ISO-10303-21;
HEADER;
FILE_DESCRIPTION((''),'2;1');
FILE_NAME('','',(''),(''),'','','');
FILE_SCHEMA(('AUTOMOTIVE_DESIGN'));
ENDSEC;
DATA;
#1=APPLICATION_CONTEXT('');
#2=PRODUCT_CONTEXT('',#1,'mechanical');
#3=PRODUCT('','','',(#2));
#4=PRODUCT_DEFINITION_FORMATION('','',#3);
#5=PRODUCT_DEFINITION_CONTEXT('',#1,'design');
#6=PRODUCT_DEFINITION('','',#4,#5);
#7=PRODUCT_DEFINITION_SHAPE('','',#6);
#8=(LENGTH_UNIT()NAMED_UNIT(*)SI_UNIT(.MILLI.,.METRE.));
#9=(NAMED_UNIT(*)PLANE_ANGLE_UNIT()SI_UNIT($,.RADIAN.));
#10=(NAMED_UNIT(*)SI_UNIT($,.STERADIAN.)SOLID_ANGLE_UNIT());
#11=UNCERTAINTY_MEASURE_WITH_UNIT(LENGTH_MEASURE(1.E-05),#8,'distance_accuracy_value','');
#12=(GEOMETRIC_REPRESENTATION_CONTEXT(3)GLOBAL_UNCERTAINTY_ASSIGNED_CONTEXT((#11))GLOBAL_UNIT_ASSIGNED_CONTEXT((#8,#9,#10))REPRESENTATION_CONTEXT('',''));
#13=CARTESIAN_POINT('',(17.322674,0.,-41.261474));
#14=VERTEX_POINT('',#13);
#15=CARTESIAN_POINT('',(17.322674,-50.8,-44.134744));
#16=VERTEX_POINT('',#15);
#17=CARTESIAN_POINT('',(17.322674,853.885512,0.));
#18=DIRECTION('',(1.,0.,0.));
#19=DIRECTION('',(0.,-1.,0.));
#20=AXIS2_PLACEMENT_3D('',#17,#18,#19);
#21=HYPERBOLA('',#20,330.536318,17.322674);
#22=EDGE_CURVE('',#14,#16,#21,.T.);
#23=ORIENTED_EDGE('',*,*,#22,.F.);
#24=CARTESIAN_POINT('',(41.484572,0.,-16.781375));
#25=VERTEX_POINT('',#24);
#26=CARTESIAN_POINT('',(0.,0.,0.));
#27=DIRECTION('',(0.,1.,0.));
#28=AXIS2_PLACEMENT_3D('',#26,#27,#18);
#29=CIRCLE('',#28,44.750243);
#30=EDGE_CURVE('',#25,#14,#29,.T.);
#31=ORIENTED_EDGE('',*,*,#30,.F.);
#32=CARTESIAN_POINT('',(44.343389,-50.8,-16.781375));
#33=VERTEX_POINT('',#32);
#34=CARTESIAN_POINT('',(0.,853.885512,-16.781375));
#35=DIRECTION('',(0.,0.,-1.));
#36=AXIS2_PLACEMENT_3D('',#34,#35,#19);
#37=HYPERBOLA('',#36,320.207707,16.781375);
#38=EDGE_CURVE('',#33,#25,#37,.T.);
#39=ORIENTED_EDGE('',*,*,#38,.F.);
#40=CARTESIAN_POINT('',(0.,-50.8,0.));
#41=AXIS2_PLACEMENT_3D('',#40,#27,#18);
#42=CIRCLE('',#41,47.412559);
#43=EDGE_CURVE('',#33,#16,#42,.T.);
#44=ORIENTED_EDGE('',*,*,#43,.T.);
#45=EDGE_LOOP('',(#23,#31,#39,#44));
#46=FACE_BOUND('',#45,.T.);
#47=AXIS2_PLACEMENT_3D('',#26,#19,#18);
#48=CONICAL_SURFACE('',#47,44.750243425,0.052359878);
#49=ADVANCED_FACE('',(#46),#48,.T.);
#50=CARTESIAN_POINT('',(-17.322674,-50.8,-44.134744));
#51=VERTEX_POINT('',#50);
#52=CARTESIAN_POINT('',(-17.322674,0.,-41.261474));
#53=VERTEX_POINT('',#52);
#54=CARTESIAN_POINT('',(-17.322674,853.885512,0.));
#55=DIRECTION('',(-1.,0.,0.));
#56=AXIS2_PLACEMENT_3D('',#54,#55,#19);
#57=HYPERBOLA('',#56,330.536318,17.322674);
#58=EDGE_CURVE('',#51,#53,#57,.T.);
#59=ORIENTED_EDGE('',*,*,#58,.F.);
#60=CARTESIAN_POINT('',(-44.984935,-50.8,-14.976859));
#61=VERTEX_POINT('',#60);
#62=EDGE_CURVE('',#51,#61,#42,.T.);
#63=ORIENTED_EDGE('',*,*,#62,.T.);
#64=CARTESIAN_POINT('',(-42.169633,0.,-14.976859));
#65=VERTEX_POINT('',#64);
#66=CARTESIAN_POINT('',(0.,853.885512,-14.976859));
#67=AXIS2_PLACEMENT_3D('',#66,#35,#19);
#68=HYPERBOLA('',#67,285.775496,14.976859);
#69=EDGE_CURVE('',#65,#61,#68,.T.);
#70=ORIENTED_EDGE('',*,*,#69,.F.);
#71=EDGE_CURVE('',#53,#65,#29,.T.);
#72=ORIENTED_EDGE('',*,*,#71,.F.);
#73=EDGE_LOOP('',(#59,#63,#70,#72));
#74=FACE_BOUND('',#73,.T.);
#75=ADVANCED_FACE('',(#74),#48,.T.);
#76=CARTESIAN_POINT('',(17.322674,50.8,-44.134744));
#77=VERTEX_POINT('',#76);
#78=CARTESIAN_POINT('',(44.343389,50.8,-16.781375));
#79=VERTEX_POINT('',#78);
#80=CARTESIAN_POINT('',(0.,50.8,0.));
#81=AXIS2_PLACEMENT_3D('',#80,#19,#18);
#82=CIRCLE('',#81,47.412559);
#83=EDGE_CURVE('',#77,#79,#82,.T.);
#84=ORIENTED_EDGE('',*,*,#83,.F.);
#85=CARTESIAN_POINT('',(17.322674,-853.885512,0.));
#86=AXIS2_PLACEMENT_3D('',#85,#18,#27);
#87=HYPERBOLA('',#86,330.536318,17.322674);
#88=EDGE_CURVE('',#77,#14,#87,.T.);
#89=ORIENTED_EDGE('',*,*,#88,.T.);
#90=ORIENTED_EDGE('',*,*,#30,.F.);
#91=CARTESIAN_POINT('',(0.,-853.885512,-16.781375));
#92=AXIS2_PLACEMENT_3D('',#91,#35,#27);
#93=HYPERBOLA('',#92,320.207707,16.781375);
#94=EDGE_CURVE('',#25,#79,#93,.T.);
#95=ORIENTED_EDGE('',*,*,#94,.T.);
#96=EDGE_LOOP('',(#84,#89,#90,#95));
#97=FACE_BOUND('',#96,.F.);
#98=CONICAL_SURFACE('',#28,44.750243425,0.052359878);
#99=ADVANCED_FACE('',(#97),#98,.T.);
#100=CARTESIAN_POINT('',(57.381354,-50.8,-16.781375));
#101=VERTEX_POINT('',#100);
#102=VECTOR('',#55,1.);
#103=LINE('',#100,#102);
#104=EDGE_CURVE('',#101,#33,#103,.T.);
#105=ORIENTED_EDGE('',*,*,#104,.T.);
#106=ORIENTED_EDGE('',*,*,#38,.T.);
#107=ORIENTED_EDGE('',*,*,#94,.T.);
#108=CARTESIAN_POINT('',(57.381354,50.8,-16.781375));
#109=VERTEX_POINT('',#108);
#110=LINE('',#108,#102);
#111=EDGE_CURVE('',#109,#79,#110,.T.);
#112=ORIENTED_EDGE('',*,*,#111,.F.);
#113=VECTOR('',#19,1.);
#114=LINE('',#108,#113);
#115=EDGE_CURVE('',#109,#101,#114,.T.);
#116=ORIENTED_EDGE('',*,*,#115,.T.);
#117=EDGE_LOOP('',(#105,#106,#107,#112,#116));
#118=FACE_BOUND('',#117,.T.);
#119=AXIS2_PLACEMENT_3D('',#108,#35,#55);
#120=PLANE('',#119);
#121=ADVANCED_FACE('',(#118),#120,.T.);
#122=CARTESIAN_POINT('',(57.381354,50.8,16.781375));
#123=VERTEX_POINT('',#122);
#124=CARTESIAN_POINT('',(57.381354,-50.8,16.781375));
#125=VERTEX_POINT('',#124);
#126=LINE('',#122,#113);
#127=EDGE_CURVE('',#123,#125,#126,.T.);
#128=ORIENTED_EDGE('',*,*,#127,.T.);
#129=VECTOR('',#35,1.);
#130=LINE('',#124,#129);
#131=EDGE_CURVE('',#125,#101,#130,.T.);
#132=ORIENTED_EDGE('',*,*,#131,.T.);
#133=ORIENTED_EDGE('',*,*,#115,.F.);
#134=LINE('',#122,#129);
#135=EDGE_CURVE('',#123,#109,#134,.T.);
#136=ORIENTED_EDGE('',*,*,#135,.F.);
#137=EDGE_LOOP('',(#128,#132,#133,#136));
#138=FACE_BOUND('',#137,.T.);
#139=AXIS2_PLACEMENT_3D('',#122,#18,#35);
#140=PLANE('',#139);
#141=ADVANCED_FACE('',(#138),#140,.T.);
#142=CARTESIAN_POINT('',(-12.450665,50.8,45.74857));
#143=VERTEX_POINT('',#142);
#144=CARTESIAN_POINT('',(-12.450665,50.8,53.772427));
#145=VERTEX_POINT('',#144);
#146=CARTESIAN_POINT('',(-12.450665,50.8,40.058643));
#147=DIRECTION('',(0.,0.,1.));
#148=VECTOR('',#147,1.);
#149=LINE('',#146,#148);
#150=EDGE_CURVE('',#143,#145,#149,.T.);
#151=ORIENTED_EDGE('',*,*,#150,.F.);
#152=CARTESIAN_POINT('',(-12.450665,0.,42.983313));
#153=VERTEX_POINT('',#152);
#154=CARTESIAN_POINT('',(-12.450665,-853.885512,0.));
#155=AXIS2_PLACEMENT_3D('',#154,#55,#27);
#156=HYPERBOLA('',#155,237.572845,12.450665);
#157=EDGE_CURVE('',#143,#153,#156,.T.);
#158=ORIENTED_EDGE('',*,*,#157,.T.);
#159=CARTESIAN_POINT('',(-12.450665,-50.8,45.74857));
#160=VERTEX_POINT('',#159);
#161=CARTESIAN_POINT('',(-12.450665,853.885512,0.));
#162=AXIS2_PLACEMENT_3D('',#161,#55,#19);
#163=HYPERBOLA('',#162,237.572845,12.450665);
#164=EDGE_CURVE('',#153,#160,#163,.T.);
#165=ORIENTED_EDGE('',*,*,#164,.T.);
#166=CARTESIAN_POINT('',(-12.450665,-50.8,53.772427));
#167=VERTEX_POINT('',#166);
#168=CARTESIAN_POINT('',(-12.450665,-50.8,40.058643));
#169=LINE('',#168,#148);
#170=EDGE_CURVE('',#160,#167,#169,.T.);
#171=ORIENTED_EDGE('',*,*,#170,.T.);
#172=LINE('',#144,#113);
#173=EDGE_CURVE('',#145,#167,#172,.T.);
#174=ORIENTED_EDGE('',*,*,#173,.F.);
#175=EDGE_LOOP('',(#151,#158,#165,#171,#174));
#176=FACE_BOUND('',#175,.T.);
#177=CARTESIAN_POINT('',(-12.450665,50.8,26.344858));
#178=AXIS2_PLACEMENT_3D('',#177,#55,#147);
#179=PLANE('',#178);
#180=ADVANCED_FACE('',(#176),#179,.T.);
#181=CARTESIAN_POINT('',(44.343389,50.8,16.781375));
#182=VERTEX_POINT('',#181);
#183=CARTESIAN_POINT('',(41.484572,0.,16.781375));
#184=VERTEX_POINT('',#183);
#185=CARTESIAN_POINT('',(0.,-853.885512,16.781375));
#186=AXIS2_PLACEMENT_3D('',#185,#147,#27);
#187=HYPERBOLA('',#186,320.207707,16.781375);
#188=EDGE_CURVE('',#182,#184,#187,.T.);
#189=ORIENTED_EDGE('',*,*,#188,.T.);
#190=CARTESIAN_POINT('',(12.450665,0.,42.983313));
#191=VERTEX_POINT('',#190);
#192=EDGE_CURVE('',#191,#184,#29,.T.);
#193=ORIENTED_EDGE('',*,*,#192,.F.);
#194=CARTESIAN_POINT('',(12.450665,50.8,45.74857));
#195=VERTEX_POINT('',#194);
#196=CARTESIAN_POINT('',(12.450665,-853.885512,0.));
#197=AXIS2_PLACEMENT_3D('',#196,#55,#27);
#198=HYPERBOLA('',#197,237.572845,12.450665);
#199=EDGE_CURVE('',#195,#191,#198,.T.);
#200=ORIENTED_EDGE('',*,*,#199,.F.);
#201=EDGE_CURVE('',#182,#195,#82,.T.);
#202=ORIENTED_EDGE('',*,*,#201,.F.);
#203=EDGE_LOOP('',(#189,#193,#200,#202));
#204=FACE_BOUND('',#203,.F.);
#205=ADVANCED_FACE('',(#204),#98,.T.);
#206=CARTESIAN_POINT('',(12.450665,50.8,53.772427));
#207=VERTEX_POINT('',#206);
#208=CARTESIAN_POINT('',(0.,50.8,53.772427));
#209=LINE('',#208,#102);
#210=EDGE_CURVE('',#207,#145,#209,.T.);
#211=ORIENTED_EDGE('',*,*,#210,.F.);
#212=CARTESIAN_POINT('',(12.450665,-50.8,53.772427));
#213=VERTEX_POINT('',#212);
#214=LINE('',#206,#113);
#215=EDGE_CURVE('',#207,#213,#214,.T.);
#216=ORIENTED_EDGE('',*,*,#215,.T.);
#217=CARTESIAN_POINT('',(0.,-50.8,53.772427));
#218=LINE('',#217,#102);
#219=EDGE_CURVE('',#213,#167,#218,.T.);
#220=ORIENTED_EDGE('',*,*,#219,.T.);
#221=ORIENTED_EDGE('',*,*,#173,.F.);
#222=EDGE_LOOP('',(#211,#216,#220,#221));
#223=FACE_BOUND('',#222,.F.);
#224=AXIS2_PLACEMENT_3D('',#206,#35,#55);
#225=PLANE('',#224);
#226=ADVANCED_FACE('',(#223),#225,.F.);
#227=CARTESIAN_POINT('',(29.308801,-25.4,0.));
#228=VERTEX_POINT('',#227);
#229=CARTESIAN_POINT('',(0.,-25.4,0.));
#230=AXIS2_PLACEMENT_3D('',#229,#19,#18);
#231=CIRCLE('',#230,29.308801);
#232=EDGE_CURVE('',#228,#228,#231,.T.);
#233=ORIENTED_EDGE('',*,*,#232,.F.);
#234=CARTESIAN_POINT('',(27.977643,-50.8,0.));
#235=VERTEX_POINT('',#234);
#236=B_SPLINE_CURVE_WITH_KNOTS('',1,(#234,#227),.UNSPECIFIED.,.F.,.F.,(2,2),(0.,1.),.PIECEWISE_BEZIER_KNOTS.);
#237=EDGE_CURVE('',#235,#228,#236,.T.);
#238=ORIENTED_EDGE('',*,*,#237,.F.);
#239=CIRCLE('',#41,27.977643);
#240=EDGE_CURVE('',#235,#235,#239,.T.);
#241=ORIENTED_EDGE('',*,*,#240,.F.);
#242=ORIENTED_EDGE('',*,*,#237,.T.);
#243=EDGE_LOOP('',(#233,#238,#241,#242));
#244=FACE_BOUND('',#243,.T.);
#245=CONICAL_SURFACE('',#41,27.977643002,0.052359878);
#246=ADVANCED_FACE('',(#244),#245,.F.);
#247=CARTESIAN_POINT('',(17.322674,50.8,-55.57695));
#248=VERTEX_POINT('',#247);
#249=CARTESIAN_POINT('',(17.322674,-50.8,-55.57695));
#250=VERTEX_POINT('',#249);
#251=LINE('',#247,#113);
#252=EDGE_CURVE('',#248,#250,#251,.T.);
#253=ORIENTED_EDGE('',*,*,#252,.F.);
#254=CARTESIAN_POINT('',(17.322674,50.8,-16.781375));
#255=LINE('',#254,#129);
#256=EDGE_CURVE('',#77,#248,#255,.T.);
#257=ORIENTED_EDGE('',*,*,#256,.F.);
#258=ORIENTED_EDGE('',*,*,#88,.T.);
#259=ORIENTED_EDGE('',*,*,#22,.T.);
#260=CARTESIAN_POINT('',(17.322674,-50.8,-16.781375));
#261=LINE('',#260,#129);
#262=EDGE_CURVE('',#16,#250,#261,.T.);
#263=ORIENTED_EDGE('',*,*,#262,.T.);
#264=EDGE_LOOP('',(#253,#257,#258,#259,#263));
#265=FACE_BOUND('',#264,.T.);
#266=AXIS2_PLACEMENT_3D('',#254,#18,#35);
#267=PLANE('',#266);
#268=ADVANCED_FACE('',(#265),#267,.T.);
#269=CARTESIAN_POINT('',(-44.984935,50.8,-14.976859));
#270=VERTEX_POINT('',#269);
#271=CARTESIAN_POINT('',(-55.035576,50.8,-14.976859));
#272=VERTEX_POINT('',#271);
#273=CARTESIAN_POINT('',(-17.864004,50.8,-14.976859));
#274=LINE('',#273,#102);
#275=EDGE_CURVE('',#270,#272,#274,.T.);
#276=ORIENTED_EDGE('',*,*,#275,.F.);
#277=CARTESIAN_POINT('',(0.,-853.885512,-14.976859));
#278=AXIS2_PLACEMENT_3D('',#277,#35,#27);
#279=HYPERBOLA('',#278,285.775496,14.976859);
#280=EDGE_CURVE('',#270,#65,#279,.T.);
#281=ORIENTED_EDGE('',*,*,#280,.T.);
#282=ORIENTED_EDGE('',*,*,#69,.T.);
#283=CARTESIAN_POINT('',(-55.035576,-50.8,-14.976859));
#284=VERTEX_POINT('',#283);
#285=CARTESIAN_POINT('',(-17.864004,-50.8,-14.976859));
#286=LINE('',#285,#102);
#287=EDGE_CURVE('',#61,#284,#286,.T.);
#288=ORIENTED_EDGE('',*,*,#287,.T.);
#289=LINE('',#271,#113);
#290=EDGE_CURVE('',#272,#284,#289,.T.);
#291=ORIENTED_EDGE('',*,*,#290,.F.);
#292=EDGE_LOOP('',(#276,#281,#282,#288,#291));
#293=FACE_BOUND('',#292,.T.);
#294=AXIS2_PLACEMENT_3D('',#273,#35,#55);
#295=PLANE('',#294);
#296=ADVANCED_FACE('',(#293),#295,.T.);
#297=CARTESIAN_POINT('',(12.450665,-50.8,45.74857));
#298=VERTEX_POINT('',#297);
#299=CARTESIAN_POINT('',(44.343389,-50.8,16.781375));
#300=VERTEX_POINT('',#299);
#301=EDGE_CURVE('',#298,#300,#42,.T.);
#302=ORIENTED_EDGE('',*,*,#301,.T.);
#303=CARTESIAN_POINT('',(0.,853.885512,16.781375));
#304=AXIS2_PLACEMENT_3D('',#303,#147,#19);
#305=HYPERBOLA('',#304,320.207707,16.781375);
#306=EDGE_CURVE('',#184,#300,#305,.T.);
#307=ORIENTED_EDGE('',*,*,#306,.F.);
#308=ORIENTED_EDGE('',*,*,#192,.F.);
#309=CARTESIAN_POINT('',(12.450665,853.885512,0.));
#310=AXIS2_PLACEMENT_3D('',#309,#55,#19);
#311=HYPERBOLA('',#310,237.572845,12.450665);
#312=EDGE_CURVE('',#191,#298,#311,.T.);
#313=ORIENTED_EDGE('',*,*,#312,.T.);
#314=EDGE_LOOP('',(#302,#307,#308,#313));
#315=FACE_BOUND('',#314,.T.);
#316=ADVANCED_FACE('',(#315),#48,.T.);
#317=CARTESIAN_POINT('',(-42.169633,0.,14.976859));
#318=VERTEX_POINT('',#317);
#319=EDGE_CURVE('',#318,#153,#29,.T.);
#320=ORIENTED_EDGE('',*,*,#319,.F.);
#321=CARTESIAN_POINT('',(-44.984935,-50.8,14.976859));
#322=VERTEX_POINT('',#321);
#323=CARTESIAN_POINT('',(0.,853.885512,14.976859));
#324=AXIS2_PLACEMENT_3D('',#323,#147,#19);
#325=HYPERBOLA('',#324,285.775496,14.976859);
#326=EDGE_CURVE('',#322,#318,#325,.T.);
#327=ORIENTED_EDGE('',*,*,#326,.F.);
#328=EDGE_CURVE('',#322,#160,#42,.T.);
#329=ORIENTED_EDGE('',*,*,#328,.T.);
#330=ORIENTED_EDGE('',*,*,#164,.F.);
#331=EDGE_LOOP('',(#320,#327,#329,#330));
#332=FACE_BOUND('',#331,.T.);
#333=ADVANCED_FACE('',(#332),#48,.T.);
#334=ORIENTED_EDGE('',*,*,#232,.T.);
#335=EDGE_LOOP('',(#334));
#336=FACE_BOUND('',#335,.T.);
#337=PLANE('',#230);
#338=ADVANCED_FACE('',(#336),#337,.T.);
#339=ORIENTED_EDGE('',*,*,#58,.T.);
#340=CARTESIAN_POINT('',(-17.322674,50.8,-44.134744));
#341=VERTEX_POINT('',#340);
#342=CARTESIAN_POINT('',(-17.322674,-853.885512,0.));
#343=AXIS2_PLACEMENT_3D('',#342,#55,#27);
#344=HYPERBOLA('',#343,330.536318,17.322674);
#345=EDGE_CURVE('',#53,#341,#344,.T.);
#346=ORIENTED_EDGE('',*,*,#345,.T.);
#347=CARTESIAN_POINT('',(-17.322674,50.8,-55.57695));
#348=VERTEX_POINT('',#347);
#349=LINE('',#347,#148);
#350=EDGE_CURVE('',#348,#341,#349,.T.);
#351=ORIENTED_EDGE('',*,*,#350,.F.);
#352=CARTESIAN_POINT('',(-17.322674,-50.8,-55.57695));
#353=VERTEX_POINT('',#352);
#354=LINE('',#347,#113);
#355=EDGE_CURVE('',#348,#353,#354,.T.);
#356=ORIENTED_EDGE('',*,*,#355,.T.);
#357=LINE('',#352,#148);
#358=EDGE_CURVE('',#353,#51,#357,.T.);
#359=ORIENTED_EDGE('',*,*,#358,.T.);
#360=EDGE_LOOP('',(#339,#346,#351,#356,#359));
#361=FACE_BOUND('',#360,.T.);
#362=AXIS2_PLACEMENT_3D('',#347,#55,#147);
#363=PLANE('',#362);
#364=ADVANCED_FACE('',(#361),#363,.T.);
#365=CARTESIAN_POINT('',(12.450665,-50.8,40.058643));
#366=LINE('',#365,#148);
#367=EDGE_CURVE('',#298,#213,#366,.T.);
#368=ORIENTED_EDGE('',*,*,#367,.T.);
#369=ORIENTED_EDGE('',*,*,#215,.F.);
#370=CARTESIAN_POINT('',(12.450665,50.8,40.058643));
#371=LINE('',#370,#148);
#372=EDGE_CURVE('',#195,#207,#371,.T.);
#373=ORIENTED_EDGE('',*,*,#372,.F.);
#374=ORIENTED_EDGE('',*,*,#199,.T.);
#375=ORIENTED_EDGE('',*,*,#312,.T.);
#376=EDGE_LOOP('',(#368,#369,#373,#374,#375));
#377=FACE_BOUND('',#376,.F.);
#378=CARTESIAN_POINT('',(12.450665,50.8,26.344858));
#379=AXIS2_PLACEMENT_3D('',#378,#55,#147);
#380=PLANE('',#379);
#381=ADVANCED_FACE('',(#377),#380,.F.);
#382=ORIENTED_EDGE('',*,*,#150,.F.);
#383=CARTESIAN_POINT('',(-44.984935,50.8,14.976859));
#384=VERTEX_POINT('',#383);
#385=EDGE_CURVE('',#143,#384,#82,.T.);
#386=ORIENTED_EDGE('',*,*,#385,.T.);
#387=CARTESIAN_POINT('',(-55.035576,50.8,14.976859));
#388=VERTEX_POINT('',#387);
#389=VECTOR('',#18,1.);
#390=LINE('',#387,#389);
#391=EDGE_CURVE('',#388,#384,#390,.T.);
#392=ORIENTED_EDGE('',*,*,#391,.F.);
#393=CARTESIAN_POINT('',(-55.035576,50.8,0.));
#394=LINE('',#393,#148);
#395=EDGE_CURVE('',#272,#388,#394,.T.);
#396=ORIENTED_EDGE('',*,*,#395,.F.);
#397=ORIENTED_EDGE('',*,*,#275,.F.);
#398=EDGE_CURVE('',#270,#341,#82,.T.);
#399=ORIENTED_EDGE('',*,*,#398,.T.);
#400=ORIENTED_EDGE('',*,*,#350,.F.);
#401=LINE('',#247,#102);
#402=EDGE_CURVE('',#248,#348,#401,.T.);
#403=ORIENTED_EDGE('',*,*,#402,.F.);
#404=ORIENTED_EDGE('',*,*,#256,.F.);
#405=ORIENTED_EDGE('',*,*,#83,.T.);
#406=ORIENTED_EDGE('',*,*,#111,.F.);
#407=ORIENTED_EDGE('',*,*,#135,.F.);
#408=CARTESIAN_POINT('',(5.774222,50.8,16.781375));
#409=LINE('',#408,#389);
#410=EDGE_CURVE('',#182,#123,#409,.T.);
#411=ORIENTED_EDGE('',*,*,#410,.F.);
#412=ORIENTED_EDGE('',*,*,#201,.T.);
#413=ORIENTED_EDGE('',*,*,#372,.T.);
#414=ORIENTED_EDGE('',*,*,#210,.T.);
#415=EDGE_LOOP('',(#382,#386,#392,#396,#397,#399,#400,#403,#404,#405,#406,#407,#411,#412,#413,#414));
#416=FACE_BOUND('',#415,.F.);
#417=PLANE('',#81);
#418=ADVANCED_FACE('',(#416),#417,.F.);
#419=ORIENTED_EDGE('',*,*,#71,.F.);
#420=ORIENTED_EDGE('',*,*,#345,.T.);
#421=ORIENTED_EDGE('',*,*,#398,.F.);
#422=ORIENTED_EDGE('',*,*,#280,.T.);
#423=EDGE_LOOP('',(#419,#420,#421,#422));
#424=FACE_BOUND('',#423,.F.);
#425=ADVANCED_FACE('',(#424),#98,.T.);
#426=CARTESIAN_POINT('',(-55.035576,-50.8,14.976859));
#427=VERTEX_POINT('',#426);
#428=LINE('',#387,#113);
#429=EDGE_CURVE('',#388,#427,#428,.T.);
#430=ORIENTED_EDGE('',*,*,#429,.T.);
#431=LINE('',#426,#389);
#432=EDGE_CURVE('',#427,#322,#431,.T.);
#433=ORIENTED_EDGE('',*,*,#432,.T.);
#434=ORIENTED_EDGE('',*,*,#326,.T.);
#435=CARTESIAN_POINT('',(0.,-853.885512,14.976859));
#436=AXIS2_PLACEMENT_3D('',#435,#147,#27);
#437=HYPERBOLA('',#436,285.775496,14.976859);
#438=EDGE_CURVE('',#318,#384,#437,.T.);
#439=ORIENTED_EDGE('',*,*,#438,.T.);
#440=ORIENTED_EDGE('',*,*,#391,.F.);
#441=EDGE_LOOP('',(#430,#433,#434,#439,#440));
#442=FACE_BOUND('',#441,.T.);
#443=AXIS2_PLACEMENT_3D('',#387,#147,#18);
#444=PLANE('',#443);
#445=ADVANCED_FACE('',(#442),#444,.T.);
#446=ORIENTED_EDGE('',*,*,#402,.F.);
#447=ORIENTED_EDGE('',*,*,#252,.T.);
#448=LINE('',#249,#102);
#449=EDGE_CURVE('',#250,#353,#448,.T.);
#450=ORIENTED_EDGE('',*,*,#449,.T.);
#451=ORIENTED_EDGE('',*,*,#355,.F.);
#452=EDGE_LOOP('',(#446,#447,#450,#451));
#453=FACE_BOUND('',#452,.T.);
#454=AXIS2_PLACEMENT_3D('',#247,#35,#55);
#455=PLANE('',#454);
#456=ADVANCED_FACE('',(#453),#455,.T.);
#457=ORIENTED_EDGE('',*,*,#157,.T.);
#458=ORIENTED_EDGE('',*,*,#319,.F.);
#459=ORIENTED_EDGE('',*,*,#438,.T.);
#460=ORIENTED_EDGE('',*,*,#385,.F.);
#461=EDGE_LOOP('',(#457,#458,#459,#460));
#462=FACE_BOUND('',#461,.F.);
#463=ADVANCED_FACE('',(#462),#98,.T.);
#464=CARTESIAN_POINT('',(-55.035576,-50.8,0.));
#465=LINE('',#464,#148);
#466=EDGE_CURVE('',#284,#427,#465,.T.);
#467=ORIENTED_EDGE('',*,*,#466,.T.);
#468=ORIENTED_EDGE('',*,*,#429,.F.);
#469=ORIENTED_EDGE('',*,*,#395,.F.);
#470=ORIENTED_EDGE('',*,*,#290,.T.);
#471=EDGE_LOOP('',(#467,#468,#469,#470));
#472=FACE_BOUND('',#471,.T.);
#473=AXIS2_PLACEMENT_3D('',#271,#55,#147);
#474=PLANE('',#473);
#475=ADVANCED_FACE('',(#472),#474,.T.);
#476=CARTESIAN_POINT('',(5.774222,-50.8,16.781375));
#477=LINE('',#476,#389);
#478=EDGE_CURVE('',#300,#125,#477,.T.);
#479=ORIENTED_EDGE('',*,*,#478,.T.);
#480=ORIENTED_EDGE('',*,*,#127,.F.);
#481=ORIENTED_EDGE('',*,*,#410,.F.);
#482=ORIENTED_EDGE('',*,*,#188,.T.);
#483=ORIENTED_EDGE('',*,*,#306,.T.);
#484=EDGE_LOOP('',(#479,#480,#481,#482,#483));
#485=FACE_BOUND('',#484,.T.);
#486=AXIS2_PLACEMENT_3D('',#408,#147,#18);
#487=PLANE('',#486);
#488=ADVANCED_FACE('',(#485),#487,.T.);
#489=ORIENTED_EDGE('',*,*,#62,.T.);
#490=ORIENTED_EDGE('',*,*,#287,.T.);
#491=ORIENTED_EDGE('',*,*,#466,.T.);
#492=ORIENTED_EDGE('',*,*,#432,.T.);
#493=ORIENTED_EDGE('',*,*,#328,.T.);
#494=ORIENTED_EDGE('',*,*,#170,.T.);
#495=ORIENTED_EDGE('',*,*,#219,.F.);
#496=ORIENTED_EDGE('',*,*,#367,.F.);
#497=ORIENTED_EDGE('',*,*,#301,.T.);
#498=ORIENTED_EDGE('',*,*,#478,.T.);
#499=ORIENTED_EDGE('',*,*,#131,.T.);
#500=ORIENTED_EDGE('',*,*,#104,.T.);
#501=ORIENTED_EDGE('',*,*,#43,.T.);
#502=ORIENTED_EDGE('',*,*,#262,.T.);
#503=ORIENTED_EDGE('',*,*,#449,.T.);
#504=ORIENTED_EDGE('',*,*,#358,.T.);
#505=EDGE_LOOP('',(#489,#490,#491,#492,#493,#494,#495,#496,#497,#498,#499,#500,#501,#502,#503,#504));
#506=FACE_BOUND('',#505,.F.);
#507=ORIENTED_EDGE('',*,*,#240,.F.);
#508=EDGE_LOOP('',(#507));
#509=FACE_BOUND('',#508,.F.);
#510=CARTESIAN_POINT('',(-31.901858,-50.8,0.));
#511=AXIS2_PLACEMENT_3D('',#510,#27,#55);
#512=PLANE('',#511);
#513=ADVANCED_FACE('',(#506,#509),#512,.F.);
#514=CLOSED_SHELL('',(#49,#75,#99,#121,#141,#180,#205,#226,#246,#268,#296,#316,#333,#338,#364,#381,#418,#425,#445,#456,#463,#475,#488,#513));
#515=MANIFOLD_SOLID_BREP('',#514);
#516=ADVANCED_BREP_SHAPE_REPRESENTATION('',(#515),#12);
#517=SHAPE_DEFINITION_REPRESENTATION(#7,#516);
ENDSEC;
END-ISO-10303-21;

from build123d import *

# Parameters (mm, degrees)
F0_R     = 44.7502434254
F1_DEPTH = 50.8
F1_TAPER = -3
F2_W     = 24.901330471
F2_H     = 27.4275690317
F2_W_2   = 37.1715724468
F2_H_2   = 29.9537181854
F2_W_3   = 11.5484520793
F2_H_3   = 1.9849091768
F3_DEPTH = 101.6
F4_R     = 27.9776430022
F5_DEPTH = 25.4
F5_TAPER = -3


with BuildPart() as f1:
    # F0 (on Front) → F1 (new body, symmetric)
    with BuildSketch(Plane.XZ):
        Circle(F0_R)
    extrude(amount=F1_DEPTH, both=True, taper=F1_TAPER)

    # F2 (on face) → F3 (join)
    with BuildSketch(Plane(origin=(0, 50.8, 0), x_dir=(-1, 0, 0), z_dir=(0, 1, 0))):
        with BuildLine():
            ThreePointArc((47.412558613, 0), (46.8017179006, 7.5861660792), (44.9849353222, 14.9768590927))
            Line((44.9849353222, 14.9768590927), (17.8640037775, 14.9768590927))
            Line((17.8640037775, 14.9768590927), (17.8640037775, -14.9768590927))
            Line((17.8640037775, -14.9768590927), (44.9849353222, -14.9768590927))
            ThreePointArc((44.9849353222, -14.9768590927), (46.8017179006, -7.5861660792), (47.412558613, 0))
        make_face()
        with Locations((0, 40.0586426258)):
            Rectangle(F2_W, F2_H)
        with Locations((36.4497900009, 0)):
            Rectangle(F2_W_2, F2_H_2)
        Polygon((-17.3226743937, -55.5769503117), (17.3226743937, -55.5769503117), (17.3226743937, -14.7964656353), (-5.7742223144, -14.7964656353), (-5.7742223144, -16.7813748121), (-17.3226743937, -16.7813748121), align=None)
        Polygon((-57.3813542724, -16.7813748121), (-17.3226743937, -16.7813748121), (-17.3226743937, -14.7964656353), (-5.7742223144, -14.7964656353), (-5.7742223144, 16.7813748121), (-57.3813542724, 16.7813748121), align=None)
        with Locations((-11.548448354, -15.7889202237)):
            Rectangle(F2_W_3, F2_H_3)
    extrude(amount=-F3_DEPTH)

    # F4 (on face) → F5 (cut)
    with BuildSketch(Plane.XZ.offset(50.8)):
        Circle(F4_R)
    extrude(amount=-F5_DEPTH, taper=F5_TAPER, mode=Mode.SUBTRACT)


solid = f1.part
